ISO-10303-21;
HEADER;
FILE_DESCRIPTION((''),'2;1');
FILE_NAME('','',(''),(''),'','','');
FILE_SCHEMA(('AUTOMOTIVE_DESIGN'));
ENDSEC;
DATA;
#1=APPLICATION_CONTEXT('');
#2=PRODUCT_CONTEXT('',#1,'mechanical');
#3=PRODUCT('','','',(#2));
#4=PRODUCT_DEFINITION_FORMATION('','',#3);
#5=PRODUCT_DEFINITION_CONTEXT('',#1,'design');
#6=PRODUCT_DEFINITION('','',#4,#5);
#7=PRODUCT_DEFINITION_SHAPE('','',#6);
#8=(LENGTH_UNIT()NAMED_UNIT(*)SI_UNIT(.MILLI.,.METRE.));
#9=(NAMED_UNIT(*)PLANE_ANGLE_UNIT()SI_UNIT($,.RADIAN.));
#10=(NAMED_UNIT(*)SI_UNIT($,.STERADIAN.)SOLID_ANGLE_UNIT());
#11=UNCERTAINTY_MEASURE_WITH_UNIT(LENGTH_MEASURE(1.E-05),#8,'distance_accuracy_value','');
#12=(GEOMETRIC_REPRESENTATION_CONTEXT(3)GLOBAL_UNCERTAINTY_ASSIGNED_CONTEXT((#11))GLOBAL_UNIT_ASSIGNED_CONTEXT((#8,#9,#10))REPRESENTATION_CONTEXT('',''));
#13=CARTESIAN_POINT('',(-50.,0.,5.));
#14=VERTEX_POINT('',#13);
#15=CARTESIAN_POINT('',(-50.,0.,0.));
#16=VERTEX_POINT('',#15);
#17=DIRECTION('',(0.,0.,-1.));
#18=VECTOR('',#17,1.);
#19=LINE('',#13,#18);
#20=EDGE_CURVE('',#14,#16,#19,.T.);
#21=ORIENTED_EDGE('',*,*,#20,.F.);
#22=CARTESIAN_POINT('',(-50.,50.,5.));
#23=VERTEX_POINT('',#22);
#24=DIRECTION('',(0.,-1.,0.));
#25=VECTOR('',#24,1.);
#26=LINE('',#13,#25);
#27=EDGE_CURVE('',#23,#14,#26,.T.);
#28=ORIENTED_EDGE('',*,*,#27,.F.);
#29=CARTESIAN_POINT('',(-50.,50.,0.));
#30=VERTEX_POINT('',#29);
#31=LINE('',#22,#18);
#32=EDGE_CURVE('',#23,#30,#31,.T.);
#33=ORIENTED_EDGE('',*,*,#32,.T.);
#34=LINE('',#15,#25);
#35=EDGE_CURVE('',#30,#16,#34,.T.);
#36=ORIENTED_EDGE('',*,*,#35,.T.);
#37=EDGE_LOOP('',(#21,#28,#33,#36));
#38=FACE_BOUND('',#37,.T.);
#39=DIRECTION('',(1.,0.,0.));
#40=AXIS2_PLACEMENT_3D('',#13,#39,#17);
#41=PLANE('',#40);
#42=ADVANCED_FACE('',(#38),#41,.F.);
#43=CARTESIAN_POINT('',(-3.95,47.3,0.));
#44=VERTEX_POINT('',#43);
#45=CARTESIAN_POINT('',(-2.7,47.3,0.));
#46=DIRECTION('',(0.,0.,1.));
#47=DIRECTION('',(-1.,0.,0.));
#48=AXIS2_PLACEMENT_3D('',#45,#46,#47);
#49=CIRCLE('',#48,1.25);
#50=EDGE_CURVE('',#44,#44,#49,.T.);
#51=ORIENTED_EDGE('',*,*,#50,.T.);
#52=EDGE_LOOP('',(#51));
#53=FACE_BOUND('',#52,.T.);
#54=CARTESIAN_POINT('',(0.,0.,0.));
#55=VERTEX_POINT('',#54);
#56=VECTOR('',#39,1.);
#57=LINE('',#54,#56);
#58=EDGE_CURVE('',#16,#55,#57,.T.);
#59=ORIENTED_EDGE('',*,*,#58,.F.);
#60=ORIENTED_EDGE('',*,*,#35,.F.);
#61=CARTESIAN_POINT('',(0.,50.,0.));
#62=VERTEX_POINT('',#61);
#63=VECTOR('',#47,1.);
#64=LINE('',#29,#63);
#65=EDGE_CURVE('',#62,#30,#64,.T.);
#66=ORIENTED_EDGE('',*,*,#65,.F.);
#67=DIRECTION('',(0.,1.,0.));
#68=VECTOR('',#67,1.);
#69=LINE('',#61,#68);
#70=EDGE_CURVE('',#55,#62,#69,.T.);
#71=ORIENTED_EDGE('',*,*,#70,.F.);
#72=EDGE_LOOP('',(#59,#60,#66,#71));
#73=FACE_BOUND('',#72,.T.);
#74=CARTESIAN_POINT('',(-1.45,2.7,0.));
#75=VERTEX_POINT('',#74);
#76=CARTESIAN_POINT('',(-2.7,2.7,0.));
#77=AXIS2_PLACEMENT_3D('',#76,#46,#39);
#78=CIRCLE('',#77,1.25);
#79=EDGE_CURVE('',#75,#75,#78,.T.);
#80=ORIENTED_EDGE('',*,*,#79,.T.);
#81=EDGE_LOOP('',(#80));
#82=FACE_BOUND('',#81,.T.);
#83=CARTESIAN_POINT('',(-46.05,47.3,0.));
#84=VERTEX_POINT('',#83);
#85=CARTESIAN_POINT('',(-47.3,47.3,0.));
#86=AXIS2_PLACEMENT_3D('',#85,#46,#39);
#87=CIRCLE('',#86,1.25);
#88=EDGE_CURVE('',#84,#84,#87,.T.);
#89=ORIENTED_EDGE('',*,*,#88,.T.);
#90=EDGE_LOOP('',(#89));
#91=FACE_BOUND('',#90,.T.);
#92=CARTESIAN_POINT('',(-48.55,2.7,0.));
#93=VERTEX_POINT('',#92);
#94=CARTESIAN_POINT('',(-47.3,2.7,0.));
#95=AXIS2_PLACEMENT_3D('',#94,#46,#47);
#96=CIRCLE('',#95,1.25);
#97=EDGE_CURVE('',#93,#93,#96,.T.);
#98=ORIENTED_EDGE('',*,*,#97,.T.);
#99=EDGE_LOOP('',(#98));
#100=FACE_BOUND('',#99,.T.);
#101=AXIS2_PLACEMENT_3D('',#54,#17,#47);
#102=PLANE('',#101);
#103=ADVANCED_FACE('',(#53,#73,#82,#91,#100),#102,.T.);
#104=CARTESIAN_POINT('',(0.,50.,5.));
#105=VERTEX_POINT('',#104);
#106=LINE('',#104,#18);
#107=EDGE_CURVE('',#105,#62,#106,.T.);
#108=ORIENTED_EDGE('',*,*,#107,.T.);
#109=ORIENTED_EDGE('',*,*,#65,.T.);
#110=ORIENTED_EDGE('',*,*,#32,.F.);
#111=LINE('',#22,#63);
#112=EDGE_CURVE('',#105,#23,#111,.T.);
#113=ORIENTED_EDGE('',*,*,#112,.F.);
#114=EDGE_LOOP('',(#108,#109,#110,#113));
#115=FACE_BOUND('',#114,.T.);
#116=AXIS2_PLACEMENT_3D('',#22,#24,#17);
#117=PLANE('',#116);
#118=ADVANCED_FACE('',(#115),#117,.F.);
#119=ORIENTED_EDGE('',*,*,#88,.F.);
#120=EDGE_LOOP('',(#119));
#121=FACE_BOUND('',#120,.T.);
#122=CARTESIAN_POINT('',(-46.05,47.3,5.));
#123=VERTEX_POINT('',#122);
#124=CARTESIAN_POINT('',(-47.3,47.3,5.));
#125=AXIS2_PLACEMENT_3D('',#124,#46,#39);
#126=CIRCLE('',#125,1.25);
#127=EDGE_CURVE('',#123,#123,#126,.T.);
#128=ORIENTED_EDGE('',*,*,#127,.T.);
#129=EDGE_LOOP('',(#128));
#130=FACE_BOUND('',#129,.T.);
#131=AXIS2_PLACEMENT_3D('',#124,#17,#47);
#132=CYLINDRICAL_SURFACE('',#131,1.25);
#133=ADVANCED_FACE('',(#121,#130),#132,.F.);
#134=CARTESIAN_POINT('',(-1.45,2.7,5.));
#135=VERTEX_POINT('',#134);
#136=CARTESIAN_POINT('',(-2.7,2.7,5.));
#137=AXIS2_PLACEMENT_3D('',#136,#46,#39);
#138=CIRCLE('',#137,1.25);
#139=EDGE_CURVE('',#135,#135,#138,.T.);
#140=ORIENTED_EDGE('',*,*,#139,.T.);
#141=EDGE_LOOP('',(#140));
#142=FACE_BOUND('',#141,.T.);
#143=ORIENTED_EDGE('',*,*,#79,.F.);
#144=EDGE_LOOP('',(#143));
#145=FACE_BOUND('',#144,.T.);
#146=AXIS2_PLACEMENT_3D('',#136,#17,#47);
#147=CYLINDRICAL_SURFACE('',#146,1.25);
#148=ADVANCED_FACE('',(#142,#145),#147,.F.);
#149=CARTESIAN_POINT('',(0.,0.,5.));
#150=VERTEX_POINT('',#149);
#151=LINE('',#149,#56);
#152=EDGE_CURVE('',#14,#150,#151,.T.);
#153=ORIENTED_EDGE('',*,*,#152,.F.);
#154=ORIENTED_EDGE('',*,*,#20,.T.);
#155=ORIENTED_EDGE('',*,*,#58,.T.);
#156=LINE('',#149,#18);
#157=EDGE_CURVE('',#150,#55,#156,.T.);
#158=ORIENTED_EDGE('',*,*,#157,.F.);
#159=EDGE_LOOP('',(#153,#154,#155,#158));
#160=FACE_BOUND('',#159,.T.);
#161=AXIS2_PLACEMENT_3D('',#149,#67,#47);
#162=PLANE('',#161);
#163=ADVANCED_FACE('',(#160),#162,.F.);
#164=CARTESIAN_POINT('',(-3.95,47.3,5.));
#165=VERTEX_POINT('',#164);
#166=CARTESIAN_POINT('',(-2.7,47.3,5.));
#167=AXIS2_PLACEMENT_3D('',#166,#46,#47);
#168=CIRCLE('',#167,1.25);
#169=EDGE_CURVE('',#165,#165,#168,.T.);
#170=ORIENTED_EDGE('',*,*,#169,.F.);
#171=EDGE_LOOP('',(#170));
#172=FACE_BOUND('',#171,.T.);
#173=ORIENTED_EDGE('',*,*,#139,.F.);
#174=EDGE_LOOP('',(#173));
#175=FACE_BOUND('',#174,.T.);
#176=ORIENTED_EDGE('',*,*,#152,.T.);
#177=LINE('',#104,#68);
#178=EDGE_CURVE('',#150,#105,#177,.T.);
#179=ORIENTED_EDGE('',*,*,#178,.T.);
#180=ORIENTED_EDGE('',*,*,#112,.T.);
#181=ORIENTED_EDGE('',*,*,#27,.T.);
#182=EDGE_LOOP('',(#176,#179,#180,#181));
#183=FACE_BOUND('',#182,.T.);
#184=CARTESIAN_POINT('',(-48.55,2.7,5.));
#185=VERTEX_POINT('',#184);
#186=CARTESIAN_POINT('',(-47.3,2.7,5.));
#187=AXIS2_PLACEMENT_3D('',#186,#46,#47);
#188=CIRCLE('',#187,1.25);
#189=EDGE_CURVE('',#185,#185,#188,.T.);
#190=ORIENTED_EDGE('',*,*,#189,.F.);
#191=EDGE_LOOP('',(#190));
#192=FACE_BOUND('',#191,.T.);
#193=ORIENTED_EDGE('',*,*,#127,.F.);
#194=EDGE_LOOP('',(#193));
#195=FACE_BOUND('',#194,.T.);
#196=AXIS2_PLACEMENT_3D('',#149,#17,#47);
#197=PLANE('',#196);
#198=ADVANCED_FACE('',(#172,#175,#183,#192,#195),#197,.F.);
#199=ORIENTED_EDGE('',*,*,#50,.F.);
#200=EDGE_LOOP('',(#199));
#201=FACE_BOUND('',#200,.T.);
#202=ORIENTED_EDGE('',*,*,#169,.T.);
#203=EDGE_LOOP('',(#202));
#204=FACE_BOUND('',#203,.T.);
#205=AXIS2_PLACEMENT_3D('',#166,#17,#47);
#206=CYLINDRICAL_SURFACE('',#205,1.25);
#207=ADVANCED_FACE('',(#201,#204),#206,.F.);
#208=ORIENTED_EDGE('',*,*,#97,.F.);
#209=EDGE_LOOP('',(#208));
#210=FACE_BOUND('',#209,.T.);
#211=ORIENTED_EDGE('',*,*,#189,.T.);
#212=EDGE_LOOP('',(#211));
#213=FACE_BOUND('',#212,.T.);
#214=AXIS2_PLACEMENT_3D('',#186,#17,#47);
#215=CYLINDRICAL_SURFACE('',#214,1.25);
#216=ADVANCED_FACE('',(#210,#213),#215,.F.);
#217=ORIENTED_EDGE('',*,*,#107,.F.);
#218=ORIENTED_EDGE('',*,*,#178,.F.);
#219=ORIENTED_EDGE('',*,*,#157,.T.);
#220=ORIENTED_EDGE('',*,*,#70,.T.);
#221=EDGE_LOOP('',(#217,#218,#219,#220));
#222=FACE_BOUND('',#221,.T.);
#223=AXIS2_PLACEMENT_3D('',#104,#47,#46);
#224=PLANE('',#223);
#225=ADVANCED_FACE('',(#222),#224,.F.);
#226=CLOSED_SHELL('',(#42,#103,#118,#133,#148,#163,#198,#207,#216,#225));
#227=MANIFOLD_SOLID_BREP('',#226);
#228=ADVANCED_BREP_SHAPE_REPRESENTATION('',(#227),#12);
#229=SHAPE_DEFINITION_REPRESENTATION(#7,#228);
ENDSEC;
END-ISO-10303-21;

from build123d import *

# Parameters (mm, degrees)
SKETCH1_W           = 50
SKETCH1_H           = 50
SKETCH1_R           = 1.25
BOSS_EXTRUDE1_DEPTH = 5


with BuildPart() as part:
    # Sketch1 → Boss-Extrude1 (new body)
    with BuildSketch(Plane.XY):
        with Locations((-25, 25)):
            Rectangle(SKETCH1_W, SKETCH1_H)
        with Locations((-47.3, 47.3)):
            Circle(SKETCH1_R, mode=Mode.SUBTRACT)
        with Locations((-2.7, 47.3)):
            Circle(SKETCH1_R, mode=Mode.SUBTRACT)
        with Locations((-47.3, 2.7)):
            Circle(SKETCH1_R, mode=Mode.SUBTRACT)
        with Locations((-2.7, 2.7)):
            Circle(SKETCH1_R, mode=Mode.SUBTRACT)
    extrude(amount=BOSS_EXTRUDE1_DEPTH)


solid = part.part
